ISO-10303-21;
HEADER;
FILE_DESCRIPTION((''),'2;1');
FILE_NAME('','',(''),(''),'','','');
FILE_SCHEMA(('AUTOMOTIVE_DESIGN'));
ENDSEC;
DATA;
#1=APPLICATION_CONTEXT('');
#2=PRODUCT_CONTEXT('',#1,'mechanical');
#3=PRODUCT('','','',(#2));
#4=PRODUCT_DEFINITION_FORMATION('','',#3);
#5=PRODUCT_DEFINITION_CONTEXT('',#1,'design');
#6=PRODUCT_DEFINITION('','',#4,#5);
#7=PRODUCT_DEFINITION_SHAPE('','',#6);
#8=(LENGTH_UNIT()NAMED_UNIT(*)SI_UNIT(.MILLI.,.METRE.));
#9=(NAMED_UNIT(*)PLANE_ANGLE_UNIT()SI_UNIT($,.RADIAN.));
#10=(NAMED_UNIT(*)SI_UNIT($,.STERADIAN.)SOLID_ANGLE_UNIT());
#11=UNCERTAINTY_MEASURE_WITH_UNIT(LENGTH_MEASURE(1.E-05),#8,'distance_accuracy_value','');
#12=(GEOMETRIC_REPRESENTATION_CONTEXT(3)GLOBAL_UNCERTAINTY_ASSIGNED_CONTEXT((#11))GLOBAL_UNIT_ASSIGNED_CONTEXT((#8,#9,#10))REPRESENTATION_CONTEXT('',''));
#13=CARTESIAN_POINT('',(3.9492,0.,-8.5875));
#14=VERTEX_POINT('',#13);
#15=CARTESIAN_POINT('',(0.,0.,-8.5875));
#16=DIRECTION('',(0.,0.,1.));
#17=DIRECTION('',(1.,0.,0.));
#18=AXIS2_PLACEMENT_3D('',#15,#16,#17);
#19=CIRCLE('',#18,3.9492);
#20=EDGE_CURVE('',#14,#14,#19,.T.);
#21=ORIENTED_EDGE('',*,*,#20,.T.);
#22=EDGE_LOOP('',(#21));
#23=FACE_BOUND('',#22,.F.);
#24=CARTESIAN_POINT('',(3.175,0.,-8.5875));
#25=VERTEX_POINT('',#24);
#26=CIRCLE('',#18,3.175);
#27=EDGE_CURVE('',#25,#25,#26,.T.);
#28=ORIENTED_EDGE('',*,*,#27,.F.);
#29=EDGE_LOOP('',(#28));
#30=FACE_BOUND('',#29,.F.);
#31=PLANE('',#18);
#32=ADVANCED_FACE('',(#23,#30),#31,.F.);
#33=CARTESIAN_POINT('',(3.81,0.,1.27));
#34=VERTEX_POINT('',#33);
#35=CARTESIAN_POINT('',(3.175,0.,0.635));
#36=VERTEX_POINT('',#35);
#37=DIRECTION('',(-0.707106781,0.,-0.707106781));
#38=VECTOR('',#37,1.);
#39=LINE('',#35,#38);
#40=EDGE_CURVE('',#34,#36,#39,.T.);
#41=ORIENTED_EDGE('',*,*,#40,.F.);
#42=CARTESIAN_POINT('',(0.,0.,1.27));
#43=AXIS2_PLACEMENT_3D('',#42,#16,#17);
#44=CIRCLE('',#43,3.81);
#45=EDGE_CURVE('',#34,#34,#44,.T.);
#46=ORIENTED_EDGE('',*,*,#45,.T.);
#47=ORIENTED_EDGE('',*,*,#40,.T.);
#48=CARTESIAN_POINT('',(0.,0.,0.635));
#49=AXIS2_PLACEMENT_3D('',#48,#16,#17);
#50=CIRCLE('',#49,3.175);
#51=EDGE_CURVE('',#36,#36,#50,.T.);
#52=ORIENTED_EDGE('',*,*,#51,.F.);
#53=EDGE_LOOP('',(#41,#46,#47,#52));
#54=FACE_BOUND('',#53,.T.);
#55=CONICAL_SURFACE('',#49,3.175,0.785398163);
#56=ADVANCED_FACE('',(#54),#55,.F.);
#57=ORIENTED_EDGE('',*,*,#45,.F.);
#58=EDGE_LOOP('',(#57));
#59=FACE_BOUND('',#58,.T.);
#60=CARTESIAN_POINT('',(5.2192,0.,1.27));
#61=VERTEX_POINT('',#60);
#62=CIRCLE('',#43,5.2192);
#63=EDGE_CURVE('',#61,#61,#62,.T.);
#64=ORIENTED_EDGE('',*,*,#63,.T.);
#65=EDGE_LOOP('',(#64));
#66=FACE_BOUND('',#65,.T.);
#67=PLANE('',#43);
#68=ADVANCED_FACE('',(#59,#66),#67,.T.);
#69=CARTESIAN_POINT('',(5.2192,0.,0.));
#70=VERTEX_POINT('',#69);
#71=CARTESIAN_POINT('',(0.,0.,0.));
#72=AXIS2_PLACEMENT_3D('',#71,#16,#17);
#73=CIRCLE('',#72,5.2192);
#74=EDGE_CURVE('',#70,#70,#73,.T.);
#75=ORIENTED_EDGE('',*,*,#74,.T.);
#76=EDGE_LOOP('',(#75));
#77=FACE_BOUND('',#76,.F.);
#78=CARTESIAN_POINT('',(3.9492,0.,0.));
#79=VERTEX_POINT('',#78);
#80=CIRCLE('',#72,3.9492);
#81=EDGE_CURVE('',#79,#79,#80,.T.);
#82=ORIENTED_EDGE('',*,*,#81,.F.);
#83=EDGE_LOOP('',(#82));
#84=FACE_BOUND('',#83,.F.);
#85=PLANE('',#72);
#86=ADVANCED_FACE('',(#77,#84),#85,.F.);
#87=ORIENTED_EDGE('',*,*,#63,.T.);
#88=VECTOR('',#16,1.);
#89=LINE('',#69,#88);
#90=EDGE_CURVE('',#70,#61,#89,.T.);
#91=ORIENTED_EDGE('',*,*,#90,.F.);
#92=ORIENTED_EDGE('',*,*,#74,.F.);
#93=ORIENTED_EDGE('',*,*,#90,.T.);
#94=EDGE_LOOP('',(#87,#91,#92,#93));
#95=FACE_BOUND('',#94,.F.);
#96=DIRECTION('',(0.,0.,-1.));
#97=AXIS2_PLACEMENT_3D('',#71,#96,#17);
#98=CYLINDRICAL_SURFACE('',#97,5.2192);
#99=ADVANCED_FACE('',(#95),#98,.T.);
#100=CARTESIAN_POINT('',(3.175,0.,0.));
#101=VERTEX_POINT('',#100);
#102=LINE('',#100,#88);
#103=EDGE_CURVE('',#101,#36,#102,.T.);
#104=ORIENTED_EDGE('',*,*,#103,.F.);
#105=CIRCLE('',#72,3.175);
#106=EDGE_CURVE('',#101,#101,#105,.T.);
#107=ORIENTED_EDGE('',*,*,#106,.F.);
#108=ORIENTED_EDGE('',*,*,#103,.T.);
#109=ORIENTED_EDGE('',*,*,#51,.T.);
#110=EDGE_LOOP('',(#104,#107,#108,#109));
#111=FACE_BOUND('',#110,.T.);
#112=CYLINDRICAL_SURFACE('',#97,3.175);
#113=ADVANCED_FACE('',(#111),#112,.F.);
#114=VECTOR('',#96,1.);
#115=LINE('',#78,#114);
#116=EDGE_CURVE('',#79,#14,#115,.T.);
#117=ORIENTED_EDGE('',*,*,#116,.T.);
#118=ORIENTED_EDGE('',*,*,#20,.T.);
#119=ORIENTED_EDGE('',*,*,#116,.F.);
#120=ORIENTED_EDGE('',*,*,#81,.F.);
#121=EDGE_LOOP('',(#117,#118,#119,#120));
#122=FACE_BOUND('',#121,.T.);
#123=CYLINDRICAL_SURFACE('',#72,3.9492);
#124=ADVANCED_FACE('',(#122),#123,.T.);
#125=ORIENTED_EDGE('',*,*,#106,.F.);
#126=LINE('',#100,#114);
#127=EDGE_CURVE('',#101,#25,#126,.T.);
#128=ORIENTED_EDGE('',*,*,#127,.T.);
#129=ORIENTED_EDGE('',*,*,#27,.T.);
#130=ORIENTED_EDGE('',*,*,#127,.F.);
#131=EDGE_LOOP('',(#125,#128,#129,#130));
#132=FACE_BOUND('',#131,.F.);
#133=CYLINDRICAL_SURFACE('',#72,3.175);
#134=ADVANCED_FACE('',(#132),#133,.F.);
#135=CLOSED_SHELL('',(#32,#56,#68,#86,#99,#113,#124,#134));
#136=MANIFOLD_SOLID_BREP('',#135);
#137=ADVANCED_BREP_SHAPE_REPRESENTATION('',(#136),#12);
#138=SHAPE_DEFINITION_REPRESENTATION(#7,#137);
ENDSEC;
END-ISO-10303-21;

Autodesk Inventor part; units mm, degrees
ref_plane "YZ Plane" through (0, 0, 0) normal (1, 0, 0) x (0, 1, 0)
ref_plane "XZ Plane" through (0, 0, 0) normal (0, 1, 0) x (-1, 0, 0)
ref_plane "XY Plane" through (0, 0, 0) normal (0, 0, 1) x (1, 0, 0)
sketch "Sketch1" plane through (0, 0, 0) normal (0, 0, 1) x (1, 0, 0)
  circle A0 centre (0, 0) radius 4 projected
  circle A1 centre (0, 0) radius 3.9492
  circle A2 centre (0, 0) radius 5.2192
  circle A3 centre (0, 0) radius 3.175
  point P0 (0, 0)
  dimension "d0" = 0.0508
  dimension "d1" = 1.27
  dimension "d2" = 6.35
extrude "Extrusion1" add sketch "Sketch1" along normal blind 1.27 contours A0 | A1 | A2
extrude "Extrusion2" add sketch "Sketch1" against normal blind 8.5875 contours A1
chamfer "Chamfer1" distance 0.635 angle 45 1 edges at (-3.175, 0, 1.27)
properties part number "AxleAdapter"
